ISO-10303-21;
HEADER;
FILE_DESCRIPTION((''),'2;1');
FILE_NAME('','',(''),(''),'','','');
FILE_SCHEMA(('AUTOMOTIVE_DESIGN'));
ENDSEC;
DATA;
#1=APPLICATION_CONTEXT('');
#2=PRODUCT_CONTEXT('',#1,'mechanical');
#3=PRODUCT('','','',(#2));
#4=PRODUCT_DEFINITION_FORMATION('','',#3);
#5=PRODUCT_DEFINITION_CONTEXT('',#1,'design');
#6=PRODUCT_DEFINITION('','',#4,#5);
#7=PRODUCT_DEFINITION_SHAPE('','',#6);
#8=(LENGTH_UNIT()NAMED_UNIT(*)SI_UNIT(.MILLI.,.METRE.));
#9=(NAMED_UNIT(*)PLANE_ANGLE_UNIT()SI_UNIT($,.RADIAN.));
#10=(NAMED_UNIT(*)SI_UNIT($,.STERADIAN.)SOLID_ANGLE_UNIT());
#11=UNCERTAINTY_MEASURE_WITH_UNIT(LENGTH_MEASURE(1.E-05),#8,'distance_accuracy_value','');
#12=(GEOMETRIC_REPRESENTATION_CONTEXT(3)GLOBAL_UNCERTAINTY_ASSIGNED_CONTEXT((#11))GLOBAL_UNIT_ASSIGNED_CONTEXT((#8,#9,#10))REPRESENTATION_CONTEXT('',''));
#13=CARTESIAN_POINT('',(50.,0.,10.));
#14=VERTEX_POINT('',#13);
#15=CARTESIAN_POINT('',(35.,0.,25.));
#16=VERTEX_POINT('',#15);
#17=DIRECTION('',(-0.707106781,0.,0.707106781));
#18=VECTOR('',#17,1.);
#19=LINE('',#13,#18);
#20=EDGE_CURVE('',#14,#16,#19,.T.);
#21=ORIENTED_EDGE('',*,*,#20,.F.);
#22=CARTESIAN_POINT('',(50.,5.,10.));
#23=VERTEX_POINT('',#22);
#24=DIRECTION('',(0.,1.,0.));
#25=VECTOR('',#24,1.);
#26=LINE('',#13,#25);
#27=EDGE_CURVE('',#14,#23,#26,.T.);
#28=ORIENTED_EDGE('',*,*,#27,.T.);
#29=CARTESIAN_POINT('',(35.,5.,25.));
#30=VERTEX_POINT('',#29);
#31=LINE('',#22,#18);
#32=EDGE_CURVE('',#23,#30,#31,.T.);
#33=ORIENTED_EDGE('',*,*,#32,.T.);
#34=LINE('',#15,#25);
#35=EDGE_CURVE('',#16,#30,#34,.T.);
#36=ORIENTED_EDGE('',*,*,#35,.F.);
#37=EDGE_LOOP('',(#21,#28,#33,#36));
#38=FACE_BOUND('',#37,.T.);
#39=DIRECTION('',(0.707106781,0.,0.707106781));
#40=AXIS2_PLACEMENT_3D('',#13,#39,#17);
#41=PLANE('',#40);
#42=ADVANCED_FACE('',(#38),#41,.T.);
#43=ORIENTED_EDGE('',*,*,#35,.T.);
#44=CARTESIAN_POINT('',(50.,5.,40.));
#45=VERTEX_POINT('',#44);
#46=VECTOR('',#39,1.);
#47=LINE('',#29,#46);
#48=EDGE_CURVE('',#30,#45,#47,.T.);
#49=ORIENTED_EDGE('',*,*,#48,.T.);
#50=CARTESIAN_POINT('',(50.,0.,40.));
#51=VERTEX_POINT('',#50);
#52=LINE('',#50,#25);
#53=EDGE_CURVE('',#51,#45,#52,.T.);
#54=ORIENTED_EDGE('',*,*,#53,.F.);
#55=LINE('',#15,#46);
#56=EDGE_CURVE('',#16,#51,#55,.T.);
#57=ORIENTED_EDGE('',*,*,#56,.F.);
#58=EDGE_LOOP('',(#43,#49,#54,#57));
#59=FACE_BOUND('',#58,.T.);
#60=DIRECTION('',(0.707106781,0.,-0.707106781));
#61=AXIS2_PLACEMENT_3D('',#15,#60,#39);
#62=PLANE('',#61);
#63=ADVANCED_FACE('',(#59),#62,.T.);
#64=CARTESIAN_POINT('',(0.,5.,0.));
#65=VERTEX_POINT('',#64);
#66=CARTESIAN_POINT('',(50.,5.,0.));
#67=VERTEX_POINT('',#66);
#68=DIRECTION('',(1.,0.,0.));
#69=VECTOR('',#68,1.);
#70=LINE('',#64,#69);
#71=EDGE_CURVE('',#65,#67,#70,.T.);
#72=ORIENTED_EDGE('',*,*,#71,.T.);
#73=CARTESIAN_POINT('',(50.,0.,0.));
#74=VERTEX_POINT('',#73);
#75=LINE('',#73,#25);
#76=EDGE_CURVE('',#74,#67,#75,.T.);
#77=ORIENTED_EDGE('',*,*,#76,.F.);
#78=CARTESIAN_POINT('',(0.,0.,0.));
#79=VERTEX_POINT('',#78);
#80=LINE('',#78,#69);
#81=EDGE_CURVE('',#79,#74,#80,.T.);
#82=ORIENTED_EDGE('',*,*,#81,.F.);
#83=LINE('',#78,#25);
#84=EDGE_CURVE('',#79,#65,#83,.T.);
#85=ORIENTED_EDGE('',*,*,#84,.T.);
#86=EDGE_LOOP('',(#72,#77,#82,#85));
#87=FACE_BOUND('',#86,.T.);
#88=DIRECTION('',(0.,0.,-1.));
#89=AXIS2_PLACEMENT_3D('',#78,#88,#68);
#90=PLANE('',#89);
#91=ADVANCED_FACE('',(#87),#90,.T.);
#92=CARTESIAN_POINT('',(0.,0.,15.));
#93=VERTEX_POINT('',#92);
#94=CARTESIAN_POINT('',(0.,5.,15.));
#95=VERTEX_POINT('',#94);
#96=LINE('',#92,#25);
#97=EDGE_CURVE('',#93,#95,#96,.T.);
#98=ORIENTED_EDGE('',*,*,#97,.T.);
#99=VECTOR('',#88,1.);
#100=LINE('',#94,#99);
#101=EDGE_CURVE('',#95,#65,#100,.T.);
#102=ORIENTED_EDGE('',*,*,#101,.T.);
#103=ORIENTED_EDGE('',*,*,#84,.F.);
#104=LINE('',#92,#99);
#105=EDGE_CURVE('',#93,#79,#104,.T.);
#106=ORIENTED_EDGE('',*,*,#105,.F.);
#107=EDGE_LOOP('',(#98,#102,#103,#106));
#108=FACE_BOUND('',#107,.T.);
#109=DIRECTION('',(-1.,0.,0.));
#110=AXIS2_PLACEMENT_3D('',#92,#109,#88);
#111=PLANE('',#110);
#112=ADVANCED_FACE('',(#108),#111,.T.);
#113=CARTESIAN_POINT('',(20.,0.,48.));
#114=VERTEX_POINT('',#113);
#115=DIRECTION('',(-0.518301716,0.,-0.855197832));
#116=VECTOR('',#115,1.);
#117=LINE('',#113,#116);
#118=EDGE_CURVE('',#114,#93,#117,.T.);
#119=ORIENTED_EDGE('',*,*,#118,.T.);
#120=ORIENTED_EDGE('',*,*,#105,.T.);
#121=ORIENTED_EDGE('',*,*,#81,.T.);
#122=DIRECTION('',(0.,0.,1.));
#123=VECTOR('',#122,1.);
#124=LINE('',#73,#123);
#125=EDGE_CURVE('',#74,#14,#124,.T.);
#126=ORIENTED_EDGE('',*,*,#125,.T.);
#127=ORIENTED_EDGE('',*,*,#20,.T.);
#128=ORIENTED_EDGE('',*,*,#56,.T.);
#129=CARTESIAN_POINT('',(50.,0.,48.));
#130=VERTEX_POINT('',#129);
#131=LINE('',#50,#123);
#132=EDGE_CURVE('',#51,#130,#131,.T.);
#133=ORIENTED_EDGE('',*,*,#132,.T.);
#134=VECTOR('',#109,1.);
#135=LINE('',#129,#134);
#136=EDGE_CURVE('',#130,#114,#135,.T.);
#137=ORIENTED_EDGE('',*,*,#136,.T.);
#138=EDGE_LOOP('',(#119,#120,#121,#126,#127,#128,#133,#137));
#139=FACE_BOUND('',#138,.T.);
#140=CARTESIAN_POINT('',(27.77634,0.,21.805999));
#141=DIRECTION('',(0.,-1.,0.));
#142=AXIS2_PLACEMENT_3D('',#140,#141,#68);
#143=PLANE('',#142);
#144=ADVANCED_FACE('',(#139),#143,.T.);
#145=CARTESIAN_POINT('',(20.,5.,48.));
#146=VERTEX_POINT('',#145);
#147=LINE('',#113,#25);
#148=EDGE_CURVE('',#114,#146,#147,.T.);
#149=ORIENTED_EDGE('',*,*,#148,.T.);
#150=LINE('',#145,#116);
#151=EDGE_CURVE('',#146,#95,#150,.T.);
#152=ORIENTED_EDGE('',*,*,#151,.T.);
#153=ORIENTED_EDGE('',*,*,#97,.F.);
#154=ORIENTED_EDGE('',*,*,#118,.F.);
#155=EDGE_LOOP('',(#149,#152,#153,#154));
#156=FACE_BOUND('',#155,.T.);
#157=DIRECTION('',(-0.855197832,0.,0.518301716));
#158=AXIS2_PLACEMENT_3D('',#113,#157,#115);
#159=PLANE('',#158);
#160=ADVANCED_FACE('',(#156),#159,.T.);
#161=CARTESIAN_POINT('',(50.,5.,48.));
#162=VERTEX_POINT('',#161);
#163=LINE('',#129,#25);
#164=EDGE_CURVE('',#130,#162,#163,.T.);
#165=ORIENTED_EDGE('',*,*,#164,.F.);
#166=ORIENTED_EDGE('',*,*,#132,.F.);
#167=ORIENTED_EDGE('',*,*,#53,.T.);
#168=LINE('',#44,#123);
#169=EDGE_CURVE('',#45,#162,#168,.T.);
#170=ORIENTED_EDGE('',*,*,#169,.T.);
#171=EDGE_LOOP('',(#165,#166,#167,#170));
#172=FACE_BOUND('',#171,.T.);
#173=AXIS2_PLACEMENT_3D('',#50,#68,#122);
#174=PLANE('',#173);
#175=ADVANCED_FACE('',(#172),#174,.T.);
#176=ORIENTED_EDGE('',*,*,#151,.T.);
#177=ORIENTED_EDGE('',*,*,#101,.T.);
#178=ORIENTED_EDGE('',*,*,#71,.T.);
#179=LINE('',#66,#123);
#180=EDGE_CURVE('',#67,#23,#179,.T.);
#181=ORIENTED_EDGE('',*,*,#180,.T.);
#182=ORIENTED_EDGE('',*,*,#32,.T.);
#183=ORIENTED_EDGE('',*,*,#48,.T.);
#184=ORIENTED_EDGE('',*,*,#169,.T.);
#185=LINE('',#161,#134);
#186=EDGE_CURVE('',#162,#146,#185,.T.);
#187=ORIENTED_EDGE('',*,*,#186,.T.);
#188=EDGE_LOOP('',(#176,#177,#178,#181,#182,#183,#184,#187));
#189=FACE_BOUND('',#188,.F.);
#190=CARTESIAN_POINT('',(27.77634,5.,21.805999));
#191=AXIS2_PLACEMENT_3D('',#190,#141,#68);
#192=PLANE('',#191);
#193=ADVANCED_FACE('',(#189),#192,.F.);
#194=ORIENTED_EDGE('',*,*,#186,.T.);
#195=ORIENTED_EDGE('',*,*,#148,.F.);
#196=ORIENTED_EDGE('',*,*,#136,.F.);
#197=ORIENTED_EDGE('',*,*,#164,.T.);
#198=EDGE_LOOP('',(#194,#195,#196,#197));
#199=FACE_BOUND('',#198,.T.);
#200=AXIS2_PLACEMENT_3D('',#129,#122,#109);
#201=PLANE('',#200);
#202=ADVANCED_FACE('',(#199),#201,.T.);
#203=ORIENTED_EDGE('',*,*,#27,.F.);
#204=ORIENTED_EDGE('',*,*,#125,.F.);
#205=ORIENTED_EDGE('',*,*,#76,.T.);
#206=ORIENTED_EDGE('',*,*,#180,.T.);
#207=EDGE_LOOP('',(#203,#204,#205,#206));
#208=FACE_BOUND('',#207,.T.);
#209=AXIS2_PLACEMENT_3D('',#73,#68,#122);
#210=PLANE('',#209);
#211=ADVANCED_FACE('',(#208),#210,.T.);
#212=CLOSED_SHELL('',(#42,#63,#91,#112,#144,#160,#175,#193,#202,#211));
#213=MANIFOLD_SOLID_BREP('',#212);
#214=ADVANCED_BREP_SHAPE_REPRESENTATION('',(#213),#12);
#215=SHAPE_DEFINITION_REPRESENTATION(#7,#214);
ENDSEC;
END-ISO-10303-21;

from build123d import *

# Parameters (mm, degrees)
F1_DEPTH = 5


with BuildPart() as f1:
    # F0 (on Front) → F1 (new body)
    with BuildSketch(Plane.XZ):
        Polygon((0, 15), (0, 0), (35, 0), (50, 0), (50, 10), (35, 25), (50, 40), (50, 48), (20, 48), align=None)
    extrude(amount=-F1_DEPTH)


solid = f1.part
